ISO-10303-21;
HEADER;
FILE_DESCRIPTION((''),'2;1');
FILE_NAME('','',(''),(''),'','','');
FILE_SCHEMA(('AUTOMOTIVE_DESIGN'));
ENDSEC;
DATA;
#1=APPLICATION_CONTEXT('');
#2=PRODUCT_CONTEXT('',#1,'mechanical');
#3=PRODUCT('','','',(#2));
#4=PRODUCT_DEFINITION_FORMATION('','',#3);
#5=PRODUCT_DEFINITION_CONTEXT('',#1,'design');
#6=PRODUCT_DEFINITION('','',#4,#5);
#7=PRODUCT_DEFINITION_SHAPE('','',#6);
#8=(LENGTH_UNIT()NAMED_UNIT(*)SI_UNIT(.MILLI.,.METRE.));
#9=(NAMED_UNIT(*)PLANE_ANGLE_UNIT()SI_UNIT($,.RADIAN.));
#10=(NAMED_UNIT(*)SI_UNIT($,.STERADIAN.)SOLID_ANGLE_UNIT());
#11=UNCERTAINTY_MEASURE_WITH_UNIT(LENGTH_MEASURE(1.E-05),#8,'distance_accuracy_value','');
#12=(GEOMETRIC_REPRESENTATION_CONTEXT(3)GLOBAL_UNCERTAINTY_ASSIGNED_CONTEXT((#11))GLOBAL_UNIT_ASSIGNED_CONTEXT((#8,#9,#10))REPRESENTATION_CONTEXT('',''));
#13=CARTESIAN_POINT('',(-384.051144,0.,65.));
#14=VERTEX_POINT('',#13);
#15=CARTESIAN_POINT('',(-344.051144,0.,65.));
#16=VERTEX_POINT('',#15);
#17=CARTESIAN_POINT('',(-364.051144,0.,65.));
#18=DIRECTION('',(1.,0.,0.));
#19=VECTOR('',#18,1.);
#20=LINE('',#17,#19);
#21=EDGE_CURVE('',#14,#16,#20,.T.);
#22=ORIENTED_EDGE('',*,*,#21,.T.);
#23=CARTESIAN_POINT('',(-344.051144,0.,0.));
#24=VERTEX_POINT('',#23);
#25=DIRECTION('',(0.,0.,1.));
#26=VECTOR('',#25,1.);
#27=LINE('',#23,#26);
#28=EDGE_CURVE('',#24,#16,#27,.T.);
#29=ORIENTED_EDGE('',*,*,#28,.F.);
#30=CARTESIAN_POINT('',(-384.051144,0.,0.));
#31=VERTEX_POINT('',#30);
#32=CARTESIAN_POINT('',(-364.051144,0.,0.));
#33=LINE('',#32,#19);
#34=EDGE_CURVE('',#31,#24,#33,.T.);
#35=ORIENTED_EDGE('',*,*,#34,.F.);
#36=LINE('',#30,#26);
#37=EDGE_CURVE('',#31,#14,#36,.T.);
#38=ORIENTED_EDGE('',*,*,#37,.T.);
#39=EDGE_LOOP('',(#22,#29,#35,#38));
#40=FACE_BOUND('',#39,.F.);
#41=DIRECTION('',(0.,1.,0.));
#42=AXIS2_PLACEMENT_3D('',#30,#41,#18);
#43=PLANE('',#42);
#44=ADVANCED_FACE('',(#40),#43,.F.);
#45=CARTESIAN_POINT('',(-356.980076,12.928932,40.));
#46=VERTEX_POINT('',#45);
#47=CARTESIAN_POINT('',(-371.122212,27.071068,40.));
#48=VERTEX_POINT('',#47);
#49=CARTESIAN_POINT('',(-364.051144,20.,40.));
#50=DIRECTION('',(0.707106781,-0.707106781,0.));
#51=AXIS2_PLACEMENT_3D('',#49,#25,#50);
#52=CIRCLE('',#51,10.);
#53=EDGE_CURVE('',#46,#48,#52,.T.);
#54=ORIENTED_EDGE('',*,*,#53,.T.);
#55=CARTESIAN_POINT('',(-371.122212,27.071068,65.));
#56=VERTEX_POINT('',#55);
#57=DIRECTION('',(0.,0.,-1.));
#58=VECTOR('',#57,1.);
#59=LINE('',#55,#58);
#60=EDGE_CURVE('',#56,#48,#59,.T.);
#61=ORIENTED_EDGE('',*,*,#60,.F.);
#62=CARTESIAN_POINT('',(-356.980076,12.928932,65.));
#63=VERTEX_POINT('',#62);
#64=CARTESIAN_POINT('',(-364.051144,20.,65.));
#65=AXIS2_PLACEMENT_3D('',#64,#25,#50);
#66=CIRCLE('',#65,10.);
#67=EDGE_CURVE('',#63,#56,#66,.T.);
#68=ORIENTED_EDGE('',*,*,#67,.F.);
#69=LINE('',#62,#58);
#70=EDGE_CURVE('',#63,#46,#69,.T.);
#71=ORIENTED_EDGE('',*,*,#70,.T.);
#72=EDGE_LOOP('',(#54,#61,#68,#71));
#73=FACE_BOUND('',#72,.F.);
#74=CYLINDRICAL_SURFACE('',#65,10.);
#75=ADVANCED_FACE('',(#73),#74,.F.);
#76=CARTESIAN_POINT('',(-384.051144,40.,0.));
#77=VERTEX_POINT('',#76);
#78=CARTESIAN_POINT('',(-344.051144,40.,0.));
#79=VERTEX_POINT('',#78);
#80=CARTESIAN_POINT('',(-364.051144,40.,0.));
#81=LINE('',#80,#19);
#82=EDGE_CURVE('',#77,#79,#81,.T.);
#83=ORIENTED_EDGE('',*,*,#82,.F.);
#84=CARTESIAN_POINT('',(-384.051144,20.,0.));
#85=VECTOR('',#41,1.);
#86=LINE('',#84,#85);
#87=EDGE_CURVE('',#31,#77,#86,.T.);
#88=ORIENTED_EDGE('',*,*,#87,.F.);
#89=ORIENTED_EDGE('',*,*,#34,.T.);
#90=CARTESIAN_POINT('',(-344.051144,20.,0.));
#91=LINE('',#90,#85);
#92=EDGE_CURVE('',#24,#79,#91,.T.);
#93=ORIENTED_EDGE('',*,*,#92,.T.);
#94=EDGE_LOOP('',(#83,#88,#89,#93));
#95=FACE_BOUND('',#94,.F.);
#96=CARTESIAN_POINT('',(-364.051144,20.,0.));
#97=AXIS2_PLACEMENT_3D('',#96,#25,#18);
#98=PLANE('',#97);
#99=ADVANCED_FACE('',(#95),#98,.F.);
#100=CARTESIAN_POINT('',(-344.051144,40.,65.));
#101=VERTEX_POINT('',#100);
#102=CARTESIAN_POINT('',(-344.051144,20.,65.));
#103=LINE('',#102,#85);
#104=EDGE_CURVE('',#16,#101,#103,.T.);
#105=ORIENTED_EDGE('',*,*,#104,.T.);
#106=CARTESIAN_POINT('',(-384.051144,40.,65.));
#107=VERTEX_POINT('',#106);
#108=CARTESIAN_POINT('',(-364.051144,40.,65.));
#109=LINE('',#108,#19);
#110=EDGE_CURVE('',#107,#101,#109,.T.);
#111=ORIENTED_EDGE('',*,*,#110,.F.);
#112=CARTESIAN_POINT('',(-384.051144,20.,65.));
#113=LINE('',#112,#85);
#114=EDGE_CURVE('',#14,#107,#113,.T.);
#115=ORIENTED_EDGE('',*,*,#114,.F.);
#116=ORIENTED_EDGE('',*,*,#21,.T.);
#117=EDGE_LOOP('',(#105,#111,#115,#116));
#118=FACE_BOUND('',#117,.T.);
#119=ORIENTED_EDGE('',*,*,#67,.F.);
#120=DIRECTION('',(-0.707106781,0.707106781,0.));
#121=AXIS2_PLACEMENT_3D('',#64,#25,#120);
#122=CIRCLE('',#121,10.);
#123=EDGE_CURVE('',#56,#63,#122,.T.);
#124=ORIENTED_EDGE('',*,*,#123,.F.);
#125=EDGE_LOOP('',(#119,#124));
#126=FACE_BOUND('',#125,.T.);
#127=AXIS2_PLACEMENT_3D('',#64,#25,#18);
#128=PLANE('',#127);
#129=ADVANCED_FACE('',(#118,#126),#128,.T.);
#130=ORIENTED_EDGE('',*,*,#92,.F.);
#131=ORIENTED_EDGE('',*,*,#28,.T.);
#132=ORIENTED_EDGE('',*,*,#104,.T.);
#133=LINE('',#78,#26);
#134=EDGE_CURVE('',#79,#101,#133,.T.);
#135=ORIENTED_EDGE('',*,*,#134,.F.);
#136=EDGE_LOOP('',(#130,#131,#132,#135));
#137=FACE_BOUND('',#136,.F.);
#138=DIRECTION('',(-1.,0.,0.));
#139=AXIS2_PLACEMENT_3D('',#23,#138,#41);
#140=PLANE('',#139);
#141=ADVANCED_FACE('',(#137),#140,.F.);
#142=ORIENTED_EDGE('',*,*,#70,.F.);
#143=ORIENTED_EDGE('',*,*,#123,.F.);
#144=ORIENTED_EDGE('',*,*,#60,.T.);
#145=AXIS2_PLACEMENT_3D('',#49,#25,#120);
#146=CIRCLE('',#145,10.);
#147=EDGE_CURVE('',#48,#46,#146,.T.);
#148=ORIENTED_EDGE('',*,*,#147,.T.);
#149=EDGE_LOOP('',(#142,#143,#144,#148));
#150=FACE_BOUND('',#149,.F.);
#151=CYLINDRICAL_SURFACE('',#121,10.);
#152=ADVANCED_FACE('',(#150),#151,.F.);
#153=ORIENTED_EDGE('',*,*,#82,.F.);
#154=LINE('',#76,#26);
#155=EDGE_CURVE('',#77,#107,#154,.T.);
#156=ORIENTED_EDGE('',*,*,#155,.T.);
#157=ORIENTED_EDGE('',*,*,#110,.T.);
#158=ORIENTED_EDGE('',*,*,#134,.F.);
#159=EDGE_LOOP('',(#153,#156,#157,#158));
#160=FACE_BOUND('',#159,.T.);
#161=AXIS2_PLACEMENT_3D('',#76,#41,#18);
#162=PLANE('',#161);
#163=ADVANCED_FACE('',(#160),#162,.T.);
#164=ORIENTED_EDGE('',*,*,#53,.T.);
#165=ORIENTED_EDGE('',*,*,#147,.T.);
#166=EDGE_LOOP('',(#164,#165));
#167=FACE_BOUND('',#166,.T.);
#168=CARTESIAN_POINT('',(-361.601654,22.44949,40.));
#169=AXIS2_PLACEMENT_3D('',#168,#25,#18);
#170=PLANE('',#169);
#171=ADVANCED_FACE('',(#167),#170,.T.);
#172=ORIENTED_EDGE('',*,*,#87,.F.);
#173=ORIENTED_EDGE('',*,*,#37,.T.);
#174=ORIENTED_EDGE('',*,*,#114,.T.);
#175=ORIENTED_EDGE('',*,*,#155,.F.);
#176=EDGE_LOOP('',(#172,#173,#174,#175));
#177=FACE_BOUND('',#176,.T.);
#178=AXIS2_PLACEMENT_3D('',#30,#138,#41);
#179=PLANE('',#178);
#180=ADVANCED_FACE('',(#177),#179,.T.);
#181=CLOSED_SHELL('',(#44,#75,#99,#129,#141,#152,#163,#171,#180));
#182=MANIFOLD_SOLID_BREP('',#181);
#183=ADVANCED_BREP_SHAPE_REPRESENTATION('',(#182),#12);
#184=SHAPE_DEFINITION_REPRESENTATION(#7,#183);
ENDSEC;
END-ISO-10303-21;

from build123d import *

# Parameters (mm, degrees)
F0_W     = 40
F0_H     = 40
F1_DEPTH = 65
F3_DEPTH = 25


with BuildPart() as f1:
    # F0 (on Top) → F1 (new body)
    with BuildSketch(Plane.XY):
        with Locations((-364.0511441231, 20)):
            Rectangle(F0_W, F0_H)
    extrude(amount=F1_DEPTH)

    # F2 (on face) → F3 (cut)
    with BuildSketch(Plane.XY.offset(65)):
        with BuildLine():
            Line((-371.1222119349, 27.0710678119), (-356.9800763112, 12.9289321881))
            ThreePointArc((-356.9800763112, 12.9289321881), (-354.812348798, 16.1731656763), (-354.0511441231, 20))
            ThreePointArc((-354.0511441231, 20), (-360.2243097994, 29.2387953251), (-371.1222119349, 27.0710678119))
        make_face()
        with BuildLine():
            ThreePointArc((-371.1222119349, 27.0710678119), (-371.1222119349, 12.9289321881), (-356.9800763112, 12.9289321881))
            Line((-356.9800763112, 12.9289321881), (-371.1222119349, 27.0710678119))
        make_face()
    extrude(amount=-F3_DEPTH, mode=Mode.SUBTRACT)


solid = f1.part
